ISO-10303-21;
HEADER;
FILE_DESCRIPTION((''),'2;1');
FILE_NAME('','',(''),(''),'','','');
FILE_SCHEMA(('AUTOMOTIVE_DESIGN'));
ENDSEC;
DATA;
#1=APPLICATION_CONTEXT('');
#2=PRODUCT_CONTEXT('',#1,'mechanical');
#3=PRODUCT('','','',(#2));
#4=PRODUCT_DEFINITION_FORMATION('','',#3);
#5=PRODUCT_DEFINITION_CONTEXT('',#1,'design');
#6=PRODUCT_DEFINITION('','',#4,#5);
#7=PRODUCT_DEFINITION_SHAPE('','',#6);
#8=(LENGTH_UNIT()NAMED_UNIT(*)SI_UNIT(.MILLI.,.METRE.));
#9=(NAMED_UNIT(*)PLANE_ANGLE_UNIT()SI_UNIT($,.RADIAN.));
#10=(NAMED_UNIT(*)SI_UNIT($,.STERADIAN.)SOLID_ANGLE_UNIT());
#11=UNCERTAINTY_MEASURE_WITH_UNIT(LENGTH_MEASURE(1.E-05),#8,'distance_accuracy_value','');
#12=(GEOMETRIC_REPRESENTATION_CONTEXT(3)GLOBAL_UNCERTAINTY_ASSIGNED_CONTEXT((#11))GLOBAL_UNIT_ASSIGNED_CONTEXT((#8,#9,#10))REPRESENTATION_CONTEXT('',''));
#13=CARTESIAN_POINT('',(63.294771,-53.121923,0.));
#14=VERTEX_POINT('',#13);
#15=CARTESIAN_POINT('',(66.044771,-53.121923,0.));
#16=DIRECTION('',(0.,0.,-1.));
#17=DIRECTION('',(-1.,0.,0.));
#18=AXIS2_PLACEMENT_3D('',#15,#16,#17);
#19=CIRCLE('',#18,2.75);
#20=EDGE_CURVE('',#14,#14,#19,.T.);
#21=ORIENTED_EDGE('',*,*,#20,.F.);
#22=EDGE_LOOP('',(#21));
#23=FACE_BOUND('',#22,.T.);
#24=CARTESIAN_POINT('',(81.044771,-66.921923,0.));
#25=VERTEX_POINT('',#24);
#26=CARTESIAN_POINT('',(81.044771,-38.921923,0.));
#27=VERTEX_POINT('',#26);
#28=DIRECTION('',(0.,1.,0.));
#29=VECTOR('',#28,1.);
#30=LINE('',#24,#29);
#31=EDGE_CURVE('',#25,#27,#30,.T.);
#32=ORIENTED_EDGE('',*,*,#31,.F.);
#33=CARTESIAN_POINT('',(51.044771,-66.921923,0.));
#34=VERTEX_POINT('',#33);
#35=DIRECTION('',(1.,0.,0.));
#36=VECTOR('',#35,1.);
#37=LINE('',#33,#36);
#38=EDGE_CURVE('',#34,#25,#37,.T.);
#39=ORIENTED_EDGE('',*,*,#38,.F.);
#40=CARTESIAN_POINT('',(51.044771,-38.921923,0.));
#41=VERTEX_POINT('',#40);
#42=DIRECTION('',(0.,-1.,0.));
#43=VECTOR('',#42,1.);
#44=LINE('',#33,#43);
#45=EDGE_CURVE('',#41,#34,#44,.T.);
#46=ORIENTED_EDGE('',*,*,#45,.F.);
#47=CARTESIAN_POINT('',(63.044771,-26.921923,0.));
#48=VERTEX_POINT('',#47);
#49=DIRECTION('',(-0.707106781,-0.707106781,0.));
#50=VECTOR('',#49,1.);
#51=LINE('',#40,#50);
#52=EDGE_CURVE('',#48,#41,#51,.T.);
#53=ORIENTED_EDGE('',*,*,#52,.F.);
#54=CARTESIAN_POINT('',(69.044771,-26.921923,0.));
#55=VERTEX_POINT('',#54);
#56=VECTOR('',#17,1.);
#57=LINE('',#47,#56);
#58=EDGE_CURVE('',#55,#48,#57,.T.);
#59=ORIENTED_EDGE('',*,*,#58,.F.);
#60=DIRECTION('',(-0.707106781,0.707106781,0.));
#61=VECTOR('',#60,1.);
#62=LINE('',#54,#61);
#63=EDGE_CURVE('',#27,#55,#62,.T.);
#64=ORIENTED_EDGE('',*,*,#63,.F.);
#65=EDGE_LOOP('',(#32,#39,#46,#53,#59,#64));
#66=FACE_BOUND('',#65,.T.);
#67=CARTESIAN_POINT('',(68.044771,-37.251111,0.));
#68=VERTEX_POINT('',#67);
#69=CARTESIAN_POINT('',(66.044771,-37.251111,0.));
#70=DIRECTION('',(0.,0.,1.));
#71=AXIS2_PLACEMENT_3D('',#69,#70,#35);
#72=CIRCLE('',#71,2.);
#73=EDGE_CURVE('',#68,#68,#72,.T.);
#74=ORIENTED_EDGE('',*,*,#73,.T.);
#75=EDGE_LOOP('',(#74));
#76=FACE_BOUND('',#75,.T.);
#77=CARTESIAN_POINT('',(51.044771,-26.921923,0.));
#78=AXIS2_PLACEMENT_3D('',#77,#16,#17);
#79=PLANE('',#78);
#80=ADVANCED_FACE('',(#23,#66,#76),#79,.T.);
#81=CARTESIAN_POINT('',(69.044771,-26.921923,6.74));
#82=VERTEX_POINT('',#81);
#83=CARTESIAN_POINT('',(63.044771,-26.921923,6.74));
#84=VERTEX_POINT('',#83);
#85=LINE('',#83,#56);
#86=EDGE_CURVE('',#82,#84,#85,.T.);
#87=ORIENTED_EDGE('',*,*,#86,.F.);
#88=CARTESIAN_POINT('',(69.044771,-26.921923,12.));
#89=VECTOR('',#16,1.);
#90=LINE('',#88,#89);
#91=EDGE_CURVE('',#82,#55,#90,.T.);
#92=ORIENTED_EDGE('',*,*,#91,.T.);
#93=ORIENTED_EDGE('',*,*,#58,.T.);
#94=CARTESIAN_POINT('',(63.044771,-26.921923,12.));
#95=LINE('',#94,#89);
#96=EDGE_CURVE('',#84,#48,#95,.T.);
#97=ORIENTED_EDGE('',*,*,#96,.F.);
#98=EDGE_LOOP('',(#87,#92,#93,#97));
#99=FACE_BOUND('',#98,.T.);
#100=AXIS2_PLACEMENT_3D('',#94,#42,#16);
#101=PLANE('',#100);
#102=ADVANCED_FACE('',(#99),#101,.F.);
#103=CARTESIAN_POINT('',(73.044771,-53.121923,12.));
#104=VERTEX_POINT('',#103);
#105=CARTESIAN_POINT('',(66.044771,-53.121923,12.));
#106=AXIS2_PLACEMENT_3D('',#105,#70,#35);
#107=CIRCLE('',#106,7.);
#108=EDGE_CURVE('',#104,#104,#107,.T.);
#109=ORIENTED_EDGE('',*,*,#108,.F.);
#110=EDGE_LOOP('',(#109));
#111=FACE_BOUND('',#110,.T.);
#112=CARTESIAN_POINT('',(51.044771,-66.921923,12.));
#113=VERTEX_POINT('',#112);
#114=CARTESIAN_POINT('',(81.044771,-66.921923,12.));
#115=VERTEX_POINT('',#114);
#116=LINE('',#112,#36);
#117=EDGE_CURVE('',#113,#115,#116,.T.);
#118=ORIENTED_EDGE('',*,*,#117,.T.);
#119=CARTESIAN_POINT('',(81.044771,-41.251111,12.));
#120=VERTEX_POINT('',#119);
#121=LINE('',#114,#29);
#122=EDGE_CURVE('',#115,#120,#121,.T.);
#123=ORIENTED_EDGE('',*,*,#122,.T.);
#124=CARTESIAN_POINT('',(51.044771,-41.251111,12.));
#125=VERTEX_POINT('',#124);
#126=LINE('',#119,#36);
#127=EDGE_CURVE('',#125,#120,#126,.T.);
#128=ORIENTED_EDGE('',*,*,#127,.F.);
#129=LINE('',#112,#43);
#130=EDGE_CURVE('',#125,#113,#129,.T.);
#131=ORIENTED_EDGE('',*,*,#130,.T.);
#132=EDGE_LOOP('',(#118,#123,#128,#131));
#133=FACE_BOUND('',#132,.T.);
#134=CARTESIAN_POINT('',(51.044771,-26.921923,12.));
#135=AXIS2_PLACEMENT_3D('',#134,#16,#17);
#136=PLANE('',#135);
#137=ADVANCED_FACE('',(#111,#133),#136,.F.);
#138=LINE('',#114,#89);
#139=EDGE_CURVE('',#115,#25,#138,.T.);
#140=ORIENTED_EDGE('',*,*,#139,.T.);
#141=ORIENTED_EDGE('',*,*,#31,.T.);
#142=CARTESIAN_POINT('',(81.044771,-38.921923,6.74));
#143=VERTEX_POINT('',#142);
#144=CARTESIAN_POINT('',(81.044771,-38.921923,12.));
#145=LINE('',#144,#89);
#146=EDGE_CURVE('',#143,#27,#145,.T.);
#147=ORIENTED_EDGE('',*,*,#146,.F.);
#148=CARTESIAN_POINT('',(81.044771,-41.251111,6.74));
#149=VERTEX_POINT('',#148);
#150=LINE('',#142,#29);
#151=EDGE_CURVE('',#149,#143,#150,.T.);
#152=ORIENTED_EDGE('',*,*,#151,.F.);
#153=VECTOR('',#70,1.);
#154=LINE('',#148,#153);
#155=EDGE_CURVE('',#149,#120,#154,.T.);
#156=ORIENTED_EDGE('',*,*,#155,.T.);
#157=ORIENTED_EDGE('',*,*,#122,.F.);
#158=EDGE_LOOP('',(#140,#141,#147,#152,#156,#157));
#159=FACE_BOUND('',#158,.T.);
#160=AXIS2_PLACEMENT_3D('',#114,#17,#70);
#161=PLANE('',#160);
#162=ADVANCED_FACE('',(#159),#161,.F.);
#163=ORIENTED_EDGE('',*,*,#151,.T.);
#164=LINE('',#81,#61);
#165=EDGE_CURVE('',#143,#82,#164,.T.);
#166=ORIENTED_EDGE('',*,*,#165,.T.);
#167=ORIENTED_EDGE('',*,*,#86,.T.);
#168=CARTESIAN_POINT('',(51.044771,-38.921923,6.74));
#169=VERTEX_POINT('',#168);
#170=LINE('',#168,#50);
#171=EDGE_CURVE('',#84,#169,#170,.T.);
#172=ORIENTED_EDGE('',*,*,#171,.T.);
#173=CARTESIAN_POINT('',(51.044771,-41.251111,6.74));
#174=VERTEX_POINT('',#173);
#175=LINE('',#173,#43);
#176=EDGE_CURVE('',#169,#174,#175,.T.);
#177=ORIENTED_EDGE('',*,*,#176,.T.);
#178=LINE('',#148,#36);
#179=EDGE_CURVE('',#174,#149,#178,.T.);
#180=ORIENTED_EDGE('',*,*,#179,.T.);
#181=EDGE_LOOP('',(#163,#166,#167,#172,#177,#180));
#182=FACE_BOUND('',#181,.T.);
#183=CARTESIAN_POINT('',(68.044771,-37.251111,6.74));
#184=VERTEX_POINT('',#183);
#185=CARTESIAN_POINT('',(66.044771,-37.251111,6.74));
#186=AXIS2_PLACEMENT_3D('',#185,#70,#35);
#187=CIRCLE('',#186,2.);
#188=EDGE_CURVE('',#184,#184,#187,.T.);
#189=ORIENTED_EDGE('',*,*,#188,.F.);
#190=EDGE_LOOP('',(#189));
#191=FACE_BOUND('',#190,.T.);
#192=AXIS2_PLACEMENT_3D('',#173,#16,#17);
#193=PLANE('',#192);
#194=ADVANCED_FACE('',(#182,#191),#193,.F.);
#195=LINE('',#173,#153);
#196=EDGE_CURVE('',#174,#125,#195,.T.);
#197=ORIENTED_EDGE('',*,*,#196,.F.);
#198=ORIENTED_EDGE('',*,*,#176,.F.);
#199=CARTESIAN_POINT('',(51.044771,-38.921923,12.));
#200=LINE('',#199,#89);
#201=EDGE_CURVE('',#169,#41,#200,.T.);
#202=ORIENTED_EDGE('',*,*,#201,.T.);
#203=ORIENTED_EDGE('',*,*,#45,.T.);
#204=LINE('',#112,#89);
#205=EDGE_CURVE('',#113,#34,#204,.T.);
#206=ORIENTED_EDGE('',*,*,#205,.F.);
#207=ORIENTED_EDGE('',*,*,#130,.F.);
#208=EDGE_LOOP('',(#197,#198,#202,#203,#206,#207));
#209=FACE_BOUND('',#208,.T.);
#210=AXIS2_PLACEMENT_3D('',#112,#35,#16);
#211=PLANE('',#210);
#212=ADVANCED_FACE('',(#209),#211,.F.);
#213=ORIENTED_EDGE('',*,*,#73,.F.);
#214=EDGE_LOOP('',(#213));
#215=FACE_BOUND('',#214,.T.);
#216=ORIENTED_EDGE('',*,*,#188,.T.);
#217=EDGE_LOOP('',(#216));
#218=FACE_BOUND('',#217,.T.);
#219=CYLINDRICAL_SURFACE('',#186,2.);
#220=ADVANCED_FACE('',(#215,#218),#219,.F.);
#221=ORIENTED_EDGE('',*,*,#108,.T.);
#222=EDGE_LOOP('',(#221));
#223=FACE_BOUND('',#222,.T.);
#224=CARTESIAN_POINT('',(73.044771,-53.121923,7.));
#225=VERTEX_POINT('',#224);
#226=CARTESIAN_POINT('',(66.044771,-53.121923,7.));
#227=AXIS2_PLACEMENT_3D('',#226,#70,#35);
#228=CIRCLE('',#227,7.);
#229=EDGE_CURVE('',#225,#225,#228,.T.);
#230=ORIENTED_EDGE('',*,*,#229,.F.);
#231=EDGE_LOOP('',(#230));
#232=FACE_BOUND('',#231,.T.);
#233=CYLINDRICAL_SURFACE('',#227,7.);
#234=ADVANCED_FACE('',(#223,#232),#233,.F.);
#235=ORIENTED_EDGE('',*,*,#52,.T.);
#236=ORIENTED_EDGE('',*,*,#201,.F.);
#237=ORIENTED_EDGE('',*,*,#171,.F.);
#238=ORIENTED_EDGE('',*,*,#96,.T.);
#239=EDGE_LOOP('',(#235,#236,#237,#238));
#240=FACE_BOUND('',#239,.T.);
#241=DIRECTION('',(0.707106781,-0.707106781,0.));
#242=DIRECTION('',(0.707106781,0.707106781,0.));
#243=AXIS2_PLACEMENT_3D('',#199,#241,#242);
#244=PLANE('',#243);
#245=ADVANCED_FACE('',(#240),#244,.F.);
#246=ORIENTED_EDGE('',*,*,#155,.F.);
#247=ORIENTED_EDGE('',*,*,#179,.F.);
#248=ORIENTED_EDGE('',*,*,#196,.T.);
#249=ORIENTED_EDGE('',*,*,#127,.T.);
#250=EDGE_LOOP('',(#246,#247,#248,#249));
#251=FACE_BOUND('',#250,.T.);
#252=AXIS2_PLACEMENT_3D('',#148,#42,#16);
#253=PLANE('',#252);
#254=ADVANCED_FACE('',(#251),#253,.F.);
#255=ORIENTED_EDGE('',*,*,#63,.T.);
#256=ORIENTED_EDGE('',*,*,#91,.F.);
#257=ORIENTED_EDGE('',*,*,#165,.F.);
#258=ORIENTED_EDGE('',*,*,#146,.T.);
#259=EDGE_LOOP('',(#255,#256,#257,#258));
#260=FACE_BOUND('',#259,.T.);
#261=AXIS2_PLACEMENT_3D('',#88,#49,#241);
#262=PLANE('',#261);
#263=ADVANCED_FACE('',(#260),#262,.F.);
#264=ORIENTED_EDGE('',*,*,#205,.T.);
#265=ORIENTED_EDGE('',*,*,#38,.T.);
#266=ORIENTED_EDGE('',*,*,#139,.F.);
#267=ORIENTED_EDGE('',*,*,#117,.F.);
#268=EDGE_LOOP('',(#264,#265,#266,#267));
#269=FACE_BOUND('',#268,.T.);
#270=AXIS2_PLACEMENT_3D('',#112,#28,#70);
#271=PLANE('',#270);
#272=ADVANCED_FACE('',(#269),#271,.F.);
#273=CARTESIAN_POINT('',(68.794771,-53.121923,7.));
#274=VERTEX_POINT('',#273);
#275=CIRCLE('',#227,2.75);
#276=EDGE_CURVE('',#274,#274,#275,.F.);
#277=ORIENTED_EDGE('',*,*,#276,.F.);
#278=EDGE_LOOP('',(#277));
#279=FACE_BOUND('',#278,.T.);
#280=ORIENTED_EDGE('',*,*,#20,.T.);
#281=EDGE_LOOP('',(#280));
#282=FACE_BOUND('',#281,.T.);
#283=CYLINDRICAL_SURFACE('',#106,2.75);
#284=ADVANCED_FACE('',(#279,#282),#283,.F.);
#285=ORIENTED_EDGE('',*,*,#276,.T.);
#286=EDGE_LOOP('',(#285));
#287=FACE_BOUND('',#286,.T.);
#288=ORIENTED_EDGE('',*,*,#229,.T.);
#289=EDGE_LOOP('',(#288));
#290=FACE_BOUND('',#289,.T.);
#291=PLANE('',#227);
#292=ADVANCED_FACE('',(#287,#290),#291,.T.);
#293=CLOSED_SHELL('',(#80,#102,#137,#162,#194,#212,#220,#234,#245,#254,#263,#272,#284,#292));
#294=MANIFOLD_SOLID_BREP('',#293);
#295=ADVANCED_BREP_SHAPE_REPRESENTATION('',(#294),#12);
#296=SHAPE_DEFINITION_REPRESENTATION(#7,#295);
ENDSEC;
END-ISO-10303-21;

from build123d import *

# Parameters (mm, degrees)
RESSALTO_EXTRUS_O1_DEPTH       = 12
FURO_COM_FOLGA_DE_M51_D        = 5.5
ESBO_O9_R                      = 7
CORTE_EXTRUS_O3_DEPTH          = 5
CORTE_EXTRUS_O4_DEPTH          = 5.26
FURO_DE_DI_METRO_4_0_4_1_D     = 4
FURO_DE_DI_METRO_4_0_4_1_DEPTH = 6.74
FURO_DE_DI_METRO_4_0_4_1_TIP   = 1.201721238


with BuildPart() as part:
    # Esboço1 → Ressalto-extrusão1 (new body)
    with BuildSketch(Plane.XY):
        Polygon((69.044771166, -26.921923077), (81.044771166, -38.921923077), (81.044771166, -66.921923077), (51.044771166, -66.921923077), (51.044771166, -38.921923077), (63.044771166, -26.921923077), align=None)
    extrude(amount=RESSALTO_EXTRUS_O1_DEPTH)

    # Furo com folga de M51 (through all)
    with Locations(Plane.XY.offset(12)):
        with Locations((66.044771166, -53.121923077)):
            Hole(FURO_COM_FOLGA_DE_M51_D / 2)

    # Esboço9 → Corte-extrusão3 (cut)
    with BuildSketch(Plane.XY.offset(12)):
        with Locations((66.044771166, -53.121923077)):
            Circle(ESBO_O9_R)
    extrude(amount=-CORTE_EXTRUS_O3_DEPTH, mode=Mode.SUBTRACT)

    # Esboço10 → Corte-extrusão4 (cut)
    with BuildSketch(Plane.XY.offset(12)):
        Polygon((51.044771166, -41.251110711), (51.044771166, -38.921923077), (63.044771166, -26.921923077), (69.044771166, -26.921923077), (81.044771166, -38.921923077), (81.044771166, -41.251110711), align=None)
    extrude(amount=-CORTE_EXTRUS_O4_DEPTH, mode=Mode.SUBTRACT)

    # Furo de diâmetro Ø4.0 (4)1
    with Locations(Plane.XY.offset(6.74)):
        with Locations((66.044771166, -37.251110711)):
            Hole(FURO_DE_DI_METRO_4_0_4_1_D / 2, depth=FURO_DE_DI_METRO_4_0_4_1_DEPTH)
            with Locations((0, 0, -(FURO_DE_DI_METRO_4_0_4_1_DEPTH + FURO_DE_DI_METRO_4_0_4_1_TIP / 2))):  # 118° drill point
                Cone(0, FURO_DE_DI_METRO_4_0_4_1_D / 2, FURO_DE_DI_METRO_4_0_4_1_TIP, mode=Mode.SUBTRACT)


solid = part.part
